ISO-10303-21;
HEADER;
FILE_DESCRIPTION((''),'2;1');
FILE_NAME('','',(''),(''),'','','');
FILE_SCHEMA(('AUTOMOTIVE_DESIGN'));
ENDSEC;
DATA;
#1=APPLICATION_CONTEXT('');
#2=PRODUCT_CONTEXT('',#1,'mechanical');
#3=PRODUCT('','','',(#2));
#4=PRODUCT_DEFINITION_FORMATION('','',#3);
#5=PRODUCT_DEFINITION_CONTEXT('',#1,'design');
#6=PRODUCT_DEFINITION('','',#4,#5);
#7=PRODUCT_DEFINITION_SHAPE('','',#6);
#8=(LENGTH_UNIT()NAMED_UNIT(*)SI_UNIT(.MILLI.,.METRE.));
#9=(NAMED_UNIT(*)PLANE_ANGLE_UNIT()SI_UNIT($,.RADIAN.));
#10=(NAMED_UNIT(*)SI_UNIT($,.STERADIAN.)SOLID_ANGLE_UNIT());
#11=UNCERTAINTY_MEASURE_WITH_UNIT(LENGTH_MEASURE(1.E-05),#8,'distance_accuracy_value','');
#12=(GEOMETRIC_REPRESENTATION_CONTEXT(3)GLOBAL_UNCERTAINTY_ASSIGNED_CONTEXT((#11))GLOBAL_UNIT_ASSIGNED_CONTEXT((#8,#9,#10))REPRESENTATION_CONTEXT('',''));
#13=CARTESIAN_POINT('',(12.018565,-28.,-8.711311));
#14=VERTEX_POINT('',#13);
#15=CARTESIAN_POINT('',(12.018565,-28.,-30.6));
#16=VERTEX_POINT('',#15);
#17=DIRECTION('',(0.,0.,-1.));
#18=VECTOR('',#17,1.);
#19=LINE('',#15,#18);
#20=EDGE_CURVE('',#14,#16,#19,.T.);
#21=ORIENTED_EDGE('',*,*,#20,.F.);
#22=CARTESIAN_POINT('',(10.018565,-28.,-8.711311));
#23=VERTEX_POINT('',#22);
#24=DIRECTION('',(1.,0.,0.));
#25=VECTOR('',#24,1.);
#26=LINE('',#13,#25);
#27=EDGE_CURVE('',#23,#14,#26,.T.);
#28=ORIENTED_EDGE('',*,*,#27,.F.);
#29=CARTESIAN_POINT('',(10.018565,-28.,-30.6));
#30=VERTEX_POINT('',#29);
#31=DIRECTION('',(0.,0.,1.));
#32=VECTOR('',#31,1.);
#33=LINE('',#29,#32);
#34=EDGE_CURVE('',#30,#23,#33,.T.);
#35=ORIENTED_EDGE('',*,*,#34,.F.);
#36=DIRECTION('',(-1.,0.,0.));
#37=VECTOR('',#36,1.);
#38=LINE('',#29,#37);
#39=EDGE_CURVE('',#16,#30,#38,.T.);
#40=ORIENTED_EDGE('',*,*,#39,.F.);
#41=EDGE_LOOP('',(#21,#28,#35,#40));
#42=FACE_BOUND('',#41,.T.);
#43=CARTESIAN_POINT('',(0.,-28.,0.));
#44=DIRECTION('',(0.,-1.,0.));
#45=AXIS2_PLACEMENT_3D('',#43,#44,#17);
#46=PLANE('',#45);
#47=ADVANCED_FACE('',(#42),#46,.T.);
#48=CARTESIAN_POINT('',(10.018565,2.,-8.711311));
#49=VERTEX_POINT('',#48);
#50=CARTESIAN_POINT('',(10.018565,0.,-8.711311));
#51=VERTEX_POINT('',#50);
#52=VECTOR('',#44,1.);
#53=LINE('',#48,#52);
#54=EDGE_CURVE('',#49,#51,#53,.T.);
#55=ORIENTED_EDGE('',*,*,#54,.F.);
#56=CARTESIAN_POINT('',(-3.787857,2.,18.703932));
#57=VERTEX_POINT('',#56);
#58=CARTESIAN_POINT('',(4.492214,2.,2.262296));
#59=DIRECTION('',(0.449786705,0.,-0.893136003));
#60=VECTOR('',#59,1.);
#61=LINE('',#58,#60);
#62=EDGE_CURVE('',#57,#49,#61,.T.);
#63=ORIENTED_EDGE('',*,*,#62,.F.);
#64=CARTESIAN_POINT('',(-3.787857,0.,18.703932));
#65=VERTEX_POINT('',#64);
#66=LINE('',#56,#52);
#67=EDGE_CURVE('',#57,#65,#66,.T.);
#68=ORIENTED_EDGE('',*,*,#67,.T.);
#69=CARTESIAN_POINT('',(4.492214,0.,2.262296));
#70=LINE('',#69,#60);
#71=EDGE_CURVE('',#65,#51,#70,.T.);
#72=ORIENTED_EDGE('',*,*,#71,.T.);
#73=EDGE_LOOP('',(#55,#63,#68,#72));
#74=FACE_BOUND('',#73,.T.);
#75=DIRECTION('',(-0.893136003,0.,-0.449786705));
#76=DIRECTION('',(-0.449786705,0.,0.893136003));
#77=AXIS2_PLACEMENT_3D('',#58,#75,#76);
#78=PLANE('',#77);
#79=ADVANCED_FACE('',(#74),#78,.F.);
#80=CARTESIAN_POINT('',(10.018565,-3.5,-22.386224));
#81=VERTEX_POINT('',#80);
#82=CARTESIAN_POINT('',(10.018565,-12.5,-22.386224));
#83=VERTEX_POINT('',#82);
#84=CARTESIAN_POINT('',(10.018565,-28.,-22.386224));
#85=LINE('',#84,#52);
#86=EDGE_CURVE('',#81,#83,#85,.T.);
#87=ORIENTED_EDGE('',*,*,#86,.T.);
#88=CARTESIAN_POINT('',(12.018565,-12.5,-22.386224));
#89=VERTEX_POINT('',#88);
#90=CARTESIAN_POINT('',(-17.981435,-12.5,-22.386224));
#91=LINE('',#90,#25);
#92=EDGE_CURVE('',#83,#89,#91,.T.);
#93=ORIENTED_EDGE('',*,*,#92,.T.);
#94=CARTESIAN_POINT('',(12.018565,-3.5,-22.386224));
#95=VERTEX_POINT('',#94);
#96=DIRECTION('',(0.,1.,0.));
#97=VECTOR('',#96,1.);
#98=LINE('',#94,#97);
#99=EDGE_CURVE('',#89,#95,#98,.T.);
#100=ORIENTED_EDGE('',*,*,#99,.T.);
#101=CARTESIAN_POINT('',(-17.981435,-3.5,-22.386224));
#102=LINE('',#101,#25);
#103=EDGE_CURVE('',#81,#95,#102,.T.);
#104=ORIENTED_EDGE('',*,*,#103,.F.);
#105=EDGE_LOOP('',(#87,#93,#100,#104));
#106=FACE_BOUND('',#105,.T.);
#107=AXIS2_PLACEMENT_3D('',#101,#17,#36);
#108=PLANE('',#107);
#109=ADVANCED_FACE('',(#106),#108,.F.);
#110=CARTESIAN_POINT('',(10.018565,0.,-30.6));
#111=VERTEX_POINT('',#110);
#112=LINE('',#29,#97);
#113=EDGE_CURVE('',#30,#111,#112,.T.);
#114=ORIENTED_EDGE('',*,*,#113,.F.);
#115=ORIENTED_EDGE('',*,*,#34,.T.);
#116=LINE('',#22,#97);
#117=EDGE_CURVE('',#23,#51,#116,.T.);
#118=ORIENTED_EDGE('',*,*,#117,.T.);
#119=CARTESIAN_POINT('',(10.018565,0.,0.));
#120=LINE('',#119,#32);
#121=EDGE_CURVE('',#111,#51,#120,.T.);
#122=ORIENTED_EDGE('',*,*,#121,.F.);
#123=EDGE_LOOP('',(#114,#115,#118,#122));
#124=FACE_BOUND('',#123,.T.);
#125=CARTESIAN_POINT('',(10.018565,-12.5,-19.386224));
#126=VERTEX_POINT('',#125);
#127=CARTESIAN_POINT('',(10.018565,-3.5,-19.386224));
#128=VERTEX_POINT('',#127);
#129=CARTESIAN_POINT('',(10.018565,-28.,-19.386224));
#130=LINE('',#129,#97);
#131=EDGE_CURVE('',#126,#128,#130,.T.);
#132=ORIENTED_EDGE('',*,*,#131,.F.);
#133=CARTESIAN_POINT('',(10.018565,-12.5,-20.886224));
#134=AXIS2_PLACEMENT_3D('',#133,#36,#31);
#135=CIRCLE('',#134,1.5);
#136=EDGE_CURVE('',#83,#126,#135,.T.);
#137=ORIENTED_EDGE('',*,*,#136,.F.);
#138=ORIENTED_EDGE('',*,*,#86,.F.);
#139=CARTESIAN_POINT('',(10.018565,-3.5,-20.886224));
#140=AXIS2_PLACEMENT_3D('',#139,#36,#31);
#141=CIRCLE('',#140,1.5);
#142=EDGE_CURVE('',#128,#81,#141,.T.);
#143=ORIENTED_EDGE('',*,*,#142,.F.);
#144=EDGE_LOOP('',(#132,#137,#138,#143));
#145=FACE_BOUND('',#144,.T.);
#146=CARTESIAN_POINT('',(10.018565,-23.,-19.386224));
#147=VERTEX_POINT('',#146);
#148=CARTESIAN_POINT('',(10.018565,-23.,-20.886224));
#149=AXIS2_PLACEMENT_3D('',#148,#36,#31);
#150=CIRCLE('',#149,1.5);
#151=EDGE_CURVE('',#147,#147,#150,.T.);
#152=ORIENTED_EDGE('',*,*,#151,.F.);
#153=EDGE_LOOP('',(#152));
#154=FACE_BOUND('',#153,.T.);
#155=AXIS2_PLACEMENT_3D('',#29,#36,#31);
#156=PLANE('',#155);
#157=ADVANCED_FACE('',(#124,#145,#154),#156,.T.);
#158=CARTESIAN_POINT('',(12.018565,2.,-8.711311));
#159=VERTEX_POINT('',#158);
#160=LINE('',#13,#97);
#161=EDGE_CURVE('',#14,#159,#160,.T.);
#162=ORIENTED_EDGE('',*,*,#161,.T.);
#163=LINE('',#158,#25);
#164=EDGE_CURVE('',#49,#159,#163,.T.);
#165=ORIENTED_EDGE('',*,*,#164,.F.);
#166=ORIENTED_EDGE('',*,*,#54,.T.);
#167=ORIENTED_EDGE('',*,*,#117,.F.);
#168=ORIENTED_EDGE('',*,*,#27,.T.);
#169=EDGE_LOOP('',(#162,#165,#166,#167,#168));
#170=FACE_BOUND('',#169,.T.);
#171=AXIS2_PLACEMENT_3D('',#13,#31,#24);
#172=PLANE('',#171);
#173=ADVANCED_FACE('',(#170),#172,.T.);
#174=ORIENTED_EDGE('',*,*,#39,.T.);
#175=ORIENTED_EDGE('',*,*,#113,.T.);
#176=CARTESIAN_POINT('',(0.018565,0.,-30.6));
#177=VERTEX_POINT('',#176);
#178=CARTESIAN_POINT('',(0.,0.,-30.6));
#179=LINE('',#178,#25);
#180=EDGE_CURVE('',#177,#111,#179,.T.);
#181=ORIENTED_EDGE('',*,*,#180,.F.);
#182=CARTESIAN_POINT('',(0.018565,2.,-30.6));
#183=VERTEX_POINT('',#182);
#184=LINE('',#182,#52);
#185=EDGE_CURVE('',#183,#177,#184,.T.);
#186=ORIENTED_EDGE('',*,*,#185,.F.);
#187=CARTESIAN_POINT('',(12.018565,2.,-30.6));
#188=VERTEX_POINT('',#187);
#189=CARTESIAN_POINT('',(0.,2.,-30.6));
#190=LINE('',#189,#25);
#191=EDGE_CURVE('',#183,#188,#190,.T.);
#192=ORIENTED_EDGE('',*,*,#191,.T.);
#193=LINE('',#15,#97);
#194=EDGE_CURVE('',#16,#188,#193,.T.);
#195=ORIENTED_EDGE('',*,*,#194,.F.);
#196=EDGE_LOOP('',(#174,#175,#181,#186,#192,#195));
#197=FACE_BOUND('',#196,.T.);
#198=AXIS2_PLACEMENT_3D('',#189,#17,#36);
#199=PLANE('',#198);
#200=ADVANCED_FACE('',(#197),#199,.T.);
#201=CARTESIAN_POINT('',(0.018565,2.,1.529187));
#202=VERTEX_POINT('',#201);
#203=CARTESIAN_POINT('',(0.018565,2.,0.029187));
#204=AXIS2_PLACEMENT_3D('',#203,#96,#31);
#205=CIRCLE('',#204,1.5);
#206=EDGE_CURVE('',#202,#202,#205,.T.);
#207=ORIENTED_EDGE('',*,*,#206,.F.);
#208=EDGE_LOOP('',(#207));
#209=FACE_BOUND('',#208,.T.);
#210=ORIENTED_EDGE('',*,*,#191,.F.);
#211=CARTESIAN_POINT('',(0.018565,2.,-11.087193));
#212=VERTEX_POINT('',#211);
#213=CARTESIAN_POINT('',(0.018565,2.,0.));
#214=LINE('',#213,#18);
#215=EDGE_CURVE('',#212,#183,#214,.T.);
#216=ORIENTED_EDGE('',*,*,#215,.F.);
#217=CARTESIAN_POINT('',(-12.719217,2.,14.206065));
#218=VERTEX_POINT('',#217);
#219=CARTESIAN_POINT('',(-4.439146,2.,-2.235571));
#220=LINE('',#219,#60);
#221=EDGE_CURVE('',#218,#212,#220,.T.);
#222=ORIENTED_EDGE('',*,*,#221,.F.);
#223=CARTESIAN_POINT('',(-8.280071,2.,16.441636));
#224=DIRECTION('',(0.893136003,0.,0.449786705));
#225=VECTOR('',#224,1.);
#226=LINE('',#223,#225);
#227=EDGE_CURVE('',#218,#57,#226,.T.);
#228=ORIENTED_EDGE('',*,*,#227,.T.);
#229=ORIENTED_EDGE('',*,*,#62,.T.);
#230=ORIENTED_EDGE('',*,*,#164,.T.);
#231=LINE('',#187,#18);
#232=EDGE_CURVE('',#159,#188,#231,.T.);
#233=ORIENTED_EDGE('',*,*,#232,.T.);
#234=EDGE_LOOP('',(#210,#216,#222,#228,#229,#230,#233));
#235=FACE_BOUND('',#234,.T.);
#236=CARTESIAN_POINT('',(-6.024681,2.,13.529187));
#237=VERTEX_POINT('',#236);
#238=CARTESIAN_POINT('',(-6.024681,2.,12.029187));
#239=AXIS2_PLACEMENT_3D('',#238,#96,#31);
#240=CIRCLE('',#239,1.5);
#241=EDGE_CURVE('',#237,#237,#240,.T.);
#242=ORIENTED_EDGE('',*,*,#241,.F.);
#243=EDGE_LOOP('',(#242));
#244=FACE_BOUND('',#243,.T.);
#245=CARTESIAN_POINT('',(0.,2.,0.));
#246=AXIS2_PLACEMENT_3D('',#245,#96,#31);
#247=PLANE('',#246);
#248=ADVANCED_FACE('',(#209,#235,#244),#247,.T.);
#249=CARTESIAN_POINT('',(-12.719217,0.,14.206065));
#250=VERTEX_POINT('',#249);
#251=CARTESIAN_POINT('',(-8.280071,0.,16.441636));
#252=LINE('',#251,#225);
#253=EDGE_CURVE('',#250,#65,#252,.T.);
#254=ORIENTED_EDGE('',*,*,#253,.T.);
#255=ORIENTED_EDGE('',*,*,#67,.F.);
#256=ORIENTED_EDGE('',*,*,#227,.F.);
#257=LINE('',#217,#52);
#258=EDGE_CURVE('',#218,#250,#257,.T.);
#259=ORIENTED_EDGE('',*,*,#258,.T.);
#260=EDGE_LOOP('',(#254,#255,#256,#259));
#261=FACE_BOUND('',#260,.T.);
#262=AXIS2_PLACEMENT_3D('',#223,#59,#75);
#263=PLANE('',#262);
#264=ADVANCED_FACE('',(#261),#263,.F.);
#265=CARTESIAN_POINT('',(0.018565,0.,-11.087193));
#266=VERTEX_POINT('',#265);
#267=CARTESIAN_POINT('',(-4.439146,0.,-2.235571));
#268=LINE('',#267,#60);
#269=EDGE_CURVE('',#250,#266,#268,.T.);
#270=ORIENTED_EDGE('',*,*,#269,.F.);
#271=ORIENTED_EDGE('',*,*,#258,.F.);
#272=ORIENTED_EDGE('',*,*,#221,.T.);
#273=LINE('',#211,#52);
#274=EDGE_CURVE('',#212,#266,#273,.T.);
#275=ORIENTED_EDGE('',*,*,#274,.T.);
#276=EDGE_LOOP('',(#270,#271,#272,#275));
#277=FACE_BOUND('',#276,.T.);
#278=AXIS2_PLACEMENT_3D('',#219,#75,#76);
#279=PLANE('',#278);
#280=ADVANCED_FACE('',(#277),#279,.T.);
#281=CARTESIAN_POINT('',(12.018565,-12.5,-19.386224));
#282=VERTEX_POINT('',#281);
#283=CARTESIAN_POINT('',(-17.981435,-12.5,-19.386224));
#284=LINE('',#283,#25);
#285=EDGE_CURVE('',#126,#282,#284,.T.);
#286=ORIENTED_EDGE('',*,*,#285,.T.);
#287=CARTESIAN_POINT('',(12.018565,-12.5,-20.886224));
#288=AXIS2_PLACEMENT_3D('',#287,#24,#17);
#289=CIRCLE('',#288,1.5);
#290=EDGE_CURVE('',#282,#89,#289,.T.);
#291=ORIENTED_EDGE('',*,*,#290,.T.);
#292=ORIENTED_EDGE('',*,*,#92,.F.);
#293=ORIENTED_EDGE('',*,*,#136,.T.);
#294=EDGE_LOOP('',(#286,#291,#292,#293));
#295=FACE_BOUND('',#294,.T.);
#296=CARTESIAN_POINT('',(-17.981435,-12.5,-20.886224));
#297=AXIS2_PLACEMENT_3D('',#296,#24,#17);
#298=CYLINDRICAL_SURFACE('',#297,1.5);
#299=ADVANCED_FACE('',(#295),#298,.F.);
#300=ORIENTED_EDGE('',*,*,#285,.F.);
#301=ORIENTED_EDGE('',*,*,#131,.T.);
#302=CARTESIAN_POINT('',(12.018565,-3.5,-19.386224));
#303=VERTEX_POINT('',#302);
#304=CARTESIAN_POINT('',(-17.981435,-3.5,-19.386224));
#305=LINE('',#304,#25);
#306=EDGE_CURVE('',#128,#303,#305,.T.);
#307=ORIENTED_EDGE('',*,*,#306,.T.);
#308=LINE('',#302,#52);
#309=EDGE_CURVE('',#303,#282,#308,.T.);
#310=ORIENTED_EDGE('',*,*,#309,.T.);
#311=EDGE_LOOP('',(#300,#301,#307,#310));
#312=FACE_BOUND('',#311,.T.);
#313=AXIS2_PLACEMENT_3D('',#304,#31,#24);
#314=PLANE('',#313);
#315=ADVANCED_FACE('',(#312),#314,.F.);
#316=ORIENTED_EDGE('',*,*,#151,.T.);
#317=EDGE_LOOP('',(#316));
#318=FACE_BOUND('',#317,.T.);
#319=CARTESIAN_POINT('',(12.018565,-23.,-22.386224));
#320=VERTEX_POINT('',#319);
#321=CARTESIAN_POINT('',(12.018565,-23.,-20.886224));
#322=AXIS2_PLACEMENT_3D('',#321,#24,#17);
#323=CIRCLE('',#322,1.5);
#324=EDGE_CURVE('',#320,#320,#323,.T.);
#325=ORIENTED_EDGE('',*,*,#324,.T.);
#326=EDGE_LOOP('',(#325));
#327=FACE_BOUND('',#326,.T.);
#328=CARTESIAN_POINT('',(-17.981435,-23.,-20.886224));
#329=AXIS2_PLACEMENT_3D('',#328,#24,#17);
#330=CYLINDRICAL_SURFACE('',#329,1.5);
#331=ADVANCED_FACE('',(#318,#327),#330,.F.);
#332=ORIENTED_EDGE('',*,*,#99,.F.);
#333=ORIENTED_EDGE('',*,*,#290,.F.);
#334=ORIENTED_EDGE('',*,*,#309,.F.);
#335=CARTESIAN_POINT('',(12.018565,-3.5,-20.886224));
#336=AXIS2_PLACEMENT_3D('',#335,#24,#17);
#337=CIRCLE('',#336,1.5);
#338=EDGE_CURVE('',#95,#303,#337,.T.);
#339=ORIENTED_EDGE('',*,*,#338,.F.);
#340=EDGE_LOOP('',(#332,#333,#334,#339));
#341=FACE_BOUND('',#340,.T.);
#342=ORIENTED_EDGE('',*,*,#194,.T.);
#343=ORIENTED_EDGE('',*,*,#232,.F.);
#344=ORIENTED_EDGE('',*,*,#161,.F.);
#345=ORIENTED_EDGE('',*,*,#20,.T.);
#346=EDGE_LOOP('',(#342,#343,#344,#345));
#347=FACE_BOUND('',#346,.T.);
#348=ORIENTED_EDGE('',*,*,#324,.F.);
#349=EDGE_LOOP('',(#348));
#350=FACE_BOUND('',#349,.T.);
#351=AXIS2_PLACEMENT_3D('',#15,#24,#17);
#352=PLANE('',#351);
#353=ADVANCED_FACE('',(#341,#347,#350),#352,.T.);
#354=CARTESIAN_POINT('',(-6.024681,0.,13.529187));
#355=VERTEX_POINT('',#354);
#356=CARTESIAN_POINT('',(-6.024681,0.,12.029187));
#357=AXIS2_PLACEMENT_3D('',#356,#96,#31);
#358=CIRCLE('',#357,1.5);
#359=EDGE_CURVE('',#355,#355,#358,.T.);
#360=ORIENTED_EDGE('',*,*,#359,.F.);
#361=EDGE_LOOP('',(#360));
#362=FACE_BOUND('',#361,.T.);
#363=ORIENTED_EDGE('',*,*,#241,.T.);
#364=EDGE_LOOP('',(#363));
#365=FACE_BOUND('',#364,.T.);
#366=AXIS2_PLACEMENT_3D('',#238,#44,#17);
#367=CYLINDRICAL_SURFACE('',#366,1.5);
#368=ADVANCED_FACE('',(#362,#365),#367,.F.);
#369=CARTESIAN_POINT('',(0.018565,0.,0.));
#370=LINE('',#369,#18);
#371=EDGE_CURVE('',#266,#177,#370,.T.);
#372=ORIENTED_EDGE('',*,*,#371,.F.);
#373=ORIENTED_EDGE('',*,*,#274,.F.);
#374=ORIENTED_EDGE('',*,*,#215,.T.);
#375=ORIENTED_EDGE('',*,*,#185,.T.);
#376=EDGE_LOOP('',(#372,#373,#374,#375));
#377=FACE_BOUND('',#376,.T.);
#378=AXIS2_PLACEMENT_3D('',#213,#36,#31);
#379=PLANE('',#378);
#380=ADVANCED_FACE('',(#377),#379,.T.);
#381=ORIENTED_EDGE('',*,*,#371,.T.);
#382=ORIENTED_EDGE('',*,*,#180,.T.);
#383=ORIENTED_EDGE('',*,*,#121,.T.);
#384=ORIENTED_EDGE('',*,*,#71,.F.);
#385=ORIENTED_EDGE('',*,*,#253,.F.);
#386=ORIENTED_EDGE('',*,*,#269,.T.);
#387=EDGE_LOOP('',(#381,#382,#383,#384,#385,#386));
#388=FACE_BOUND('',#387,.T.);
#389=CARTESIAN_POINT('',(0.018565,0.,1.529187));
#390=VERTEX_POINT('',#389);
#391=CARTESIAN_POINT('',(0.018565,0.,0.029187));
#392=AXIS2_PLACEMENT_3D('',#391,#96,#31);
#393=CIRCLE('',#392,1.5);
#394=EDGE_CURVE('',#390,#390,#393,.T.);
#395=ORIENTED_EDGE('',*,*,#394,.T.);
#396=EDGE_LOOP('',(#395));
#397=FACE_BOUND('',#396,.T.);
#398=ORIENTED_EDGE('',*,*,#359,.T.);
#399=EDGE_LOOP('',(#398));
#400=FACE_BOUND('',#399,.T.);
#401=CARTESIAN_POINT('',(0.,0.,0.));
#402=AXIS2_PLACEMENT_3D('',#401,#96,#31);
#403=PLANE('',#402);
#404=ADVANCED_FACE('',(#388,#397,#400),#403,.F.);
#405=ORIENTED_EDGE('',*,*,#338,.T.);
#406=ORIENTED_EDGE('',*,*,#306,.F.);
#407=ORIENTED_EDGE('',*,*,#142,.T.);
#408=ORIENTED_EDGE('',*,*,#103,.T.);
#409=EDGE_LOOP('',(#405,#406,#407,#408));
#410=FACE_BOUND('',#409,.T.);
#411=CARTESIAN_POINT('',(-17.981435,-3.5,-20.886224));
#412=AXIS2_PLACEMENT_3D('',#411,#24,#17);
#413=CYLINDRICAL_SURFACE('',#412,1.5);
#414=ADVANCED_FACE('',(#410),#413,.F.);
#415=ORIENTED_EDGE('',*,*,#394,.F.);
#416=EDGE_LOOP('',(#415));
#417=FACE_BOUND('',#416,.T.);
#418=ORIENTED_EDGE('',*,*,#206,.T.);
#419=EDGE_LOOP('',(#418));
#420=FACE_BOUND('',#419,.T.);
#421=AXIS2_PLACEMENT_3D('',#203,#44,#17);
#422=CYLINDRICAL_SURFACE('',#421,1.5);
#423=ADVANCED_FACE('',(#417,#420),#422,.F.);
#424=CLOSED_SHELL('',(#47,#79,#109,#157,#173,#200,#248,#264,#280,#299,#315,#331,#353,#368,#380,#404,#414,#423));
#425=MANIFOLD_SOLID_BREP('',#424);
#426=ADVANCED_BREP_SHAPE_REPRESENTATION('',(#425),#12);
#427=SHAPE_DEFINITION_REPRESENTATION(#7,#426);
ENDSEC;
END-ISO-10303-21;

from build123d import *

# Parameters (mm, degrees)
SKETCH1_R           = 1.5
BOSS_EXTRUDE1_DEPTH = 2
SKETCH2_W           = 2
SKETCH2_H           = 21.888688708
BOSS_EXTRUDE2_DEPTH = 30
SKETCH4_R           = 1.5
CUT_EXTRUDE1_DEPTH  = 30


with BuildPart() as part:
    # Sketch1 → Boss-Extrude1 (new body)
    with BuildSketch(Plane(origin=(0, 0, 0), x_dir=(1, 0, 0), z_dir=(0, 1, 0))):
        Polygon((10.018564975, 30.6), (10.018564975, 8.711311292), (-3.787856503, -18.703932317), (-12.719216533, -14.206065265), (0.018564975, 11.087192922), (0.018564975, 30.6), align=None)
        with Locations(Location((0.018564975, -0.029187226, 0), (0, 0, 270))):
            Circle(SKETCH1_R, mode=Mode.SUBTRACT)
        with Locations(Location((-6.024680896, -12.029187226, 0), (0, 0, 270))):
            Circle(SKETCH1_R, mode=Mode.SUBTRACT)
    extrude(amount=BOSS_EXTRUDE1_DEPTH)

    # Sketch2 → Boss-Extrude2 (add)
    with BuildSketch(Plane(origin=(0, 2, 0), x_dir=(1, 0, 0), z_dir=(0, 1, 0))):
        with Locations((11.018564975, 19.655655646)):
            Rectangle(SKETCH2_W, SKETCH2_H)
    extrude(amount=-BOSS_EXTRUDE2_DEPTH)

    # Sketch4 → Cut-Extrude1 (cut)
    with BuildSketch(Plane(origin=(12.018564975, 0, 0), x_dir=(0, 0, -1), z_dir=(1, 0, 0))):
        with Locations((20.886224341, -23)):
            Circle(SKETCH4_R)
        with BuildLine():
            Line((22.386224341, -3.5), (22.386224341, -12.5))
            ThreePointArc((22.386224341, -12.5), (20.886224341, -14), (19.386224341, -12.5))
            Line((19.386224341, -12.5), (19.386224341, -3.5))
            ThreePointArc((19.386224341, -3.5), (20.886224341, -2), (22.386224341, -3.5))
        make_face()
    extrude(amount=-CUT_EXTRUDE1_DEPTH, mode=Mode.SUBTRACT)


solid = part.part
